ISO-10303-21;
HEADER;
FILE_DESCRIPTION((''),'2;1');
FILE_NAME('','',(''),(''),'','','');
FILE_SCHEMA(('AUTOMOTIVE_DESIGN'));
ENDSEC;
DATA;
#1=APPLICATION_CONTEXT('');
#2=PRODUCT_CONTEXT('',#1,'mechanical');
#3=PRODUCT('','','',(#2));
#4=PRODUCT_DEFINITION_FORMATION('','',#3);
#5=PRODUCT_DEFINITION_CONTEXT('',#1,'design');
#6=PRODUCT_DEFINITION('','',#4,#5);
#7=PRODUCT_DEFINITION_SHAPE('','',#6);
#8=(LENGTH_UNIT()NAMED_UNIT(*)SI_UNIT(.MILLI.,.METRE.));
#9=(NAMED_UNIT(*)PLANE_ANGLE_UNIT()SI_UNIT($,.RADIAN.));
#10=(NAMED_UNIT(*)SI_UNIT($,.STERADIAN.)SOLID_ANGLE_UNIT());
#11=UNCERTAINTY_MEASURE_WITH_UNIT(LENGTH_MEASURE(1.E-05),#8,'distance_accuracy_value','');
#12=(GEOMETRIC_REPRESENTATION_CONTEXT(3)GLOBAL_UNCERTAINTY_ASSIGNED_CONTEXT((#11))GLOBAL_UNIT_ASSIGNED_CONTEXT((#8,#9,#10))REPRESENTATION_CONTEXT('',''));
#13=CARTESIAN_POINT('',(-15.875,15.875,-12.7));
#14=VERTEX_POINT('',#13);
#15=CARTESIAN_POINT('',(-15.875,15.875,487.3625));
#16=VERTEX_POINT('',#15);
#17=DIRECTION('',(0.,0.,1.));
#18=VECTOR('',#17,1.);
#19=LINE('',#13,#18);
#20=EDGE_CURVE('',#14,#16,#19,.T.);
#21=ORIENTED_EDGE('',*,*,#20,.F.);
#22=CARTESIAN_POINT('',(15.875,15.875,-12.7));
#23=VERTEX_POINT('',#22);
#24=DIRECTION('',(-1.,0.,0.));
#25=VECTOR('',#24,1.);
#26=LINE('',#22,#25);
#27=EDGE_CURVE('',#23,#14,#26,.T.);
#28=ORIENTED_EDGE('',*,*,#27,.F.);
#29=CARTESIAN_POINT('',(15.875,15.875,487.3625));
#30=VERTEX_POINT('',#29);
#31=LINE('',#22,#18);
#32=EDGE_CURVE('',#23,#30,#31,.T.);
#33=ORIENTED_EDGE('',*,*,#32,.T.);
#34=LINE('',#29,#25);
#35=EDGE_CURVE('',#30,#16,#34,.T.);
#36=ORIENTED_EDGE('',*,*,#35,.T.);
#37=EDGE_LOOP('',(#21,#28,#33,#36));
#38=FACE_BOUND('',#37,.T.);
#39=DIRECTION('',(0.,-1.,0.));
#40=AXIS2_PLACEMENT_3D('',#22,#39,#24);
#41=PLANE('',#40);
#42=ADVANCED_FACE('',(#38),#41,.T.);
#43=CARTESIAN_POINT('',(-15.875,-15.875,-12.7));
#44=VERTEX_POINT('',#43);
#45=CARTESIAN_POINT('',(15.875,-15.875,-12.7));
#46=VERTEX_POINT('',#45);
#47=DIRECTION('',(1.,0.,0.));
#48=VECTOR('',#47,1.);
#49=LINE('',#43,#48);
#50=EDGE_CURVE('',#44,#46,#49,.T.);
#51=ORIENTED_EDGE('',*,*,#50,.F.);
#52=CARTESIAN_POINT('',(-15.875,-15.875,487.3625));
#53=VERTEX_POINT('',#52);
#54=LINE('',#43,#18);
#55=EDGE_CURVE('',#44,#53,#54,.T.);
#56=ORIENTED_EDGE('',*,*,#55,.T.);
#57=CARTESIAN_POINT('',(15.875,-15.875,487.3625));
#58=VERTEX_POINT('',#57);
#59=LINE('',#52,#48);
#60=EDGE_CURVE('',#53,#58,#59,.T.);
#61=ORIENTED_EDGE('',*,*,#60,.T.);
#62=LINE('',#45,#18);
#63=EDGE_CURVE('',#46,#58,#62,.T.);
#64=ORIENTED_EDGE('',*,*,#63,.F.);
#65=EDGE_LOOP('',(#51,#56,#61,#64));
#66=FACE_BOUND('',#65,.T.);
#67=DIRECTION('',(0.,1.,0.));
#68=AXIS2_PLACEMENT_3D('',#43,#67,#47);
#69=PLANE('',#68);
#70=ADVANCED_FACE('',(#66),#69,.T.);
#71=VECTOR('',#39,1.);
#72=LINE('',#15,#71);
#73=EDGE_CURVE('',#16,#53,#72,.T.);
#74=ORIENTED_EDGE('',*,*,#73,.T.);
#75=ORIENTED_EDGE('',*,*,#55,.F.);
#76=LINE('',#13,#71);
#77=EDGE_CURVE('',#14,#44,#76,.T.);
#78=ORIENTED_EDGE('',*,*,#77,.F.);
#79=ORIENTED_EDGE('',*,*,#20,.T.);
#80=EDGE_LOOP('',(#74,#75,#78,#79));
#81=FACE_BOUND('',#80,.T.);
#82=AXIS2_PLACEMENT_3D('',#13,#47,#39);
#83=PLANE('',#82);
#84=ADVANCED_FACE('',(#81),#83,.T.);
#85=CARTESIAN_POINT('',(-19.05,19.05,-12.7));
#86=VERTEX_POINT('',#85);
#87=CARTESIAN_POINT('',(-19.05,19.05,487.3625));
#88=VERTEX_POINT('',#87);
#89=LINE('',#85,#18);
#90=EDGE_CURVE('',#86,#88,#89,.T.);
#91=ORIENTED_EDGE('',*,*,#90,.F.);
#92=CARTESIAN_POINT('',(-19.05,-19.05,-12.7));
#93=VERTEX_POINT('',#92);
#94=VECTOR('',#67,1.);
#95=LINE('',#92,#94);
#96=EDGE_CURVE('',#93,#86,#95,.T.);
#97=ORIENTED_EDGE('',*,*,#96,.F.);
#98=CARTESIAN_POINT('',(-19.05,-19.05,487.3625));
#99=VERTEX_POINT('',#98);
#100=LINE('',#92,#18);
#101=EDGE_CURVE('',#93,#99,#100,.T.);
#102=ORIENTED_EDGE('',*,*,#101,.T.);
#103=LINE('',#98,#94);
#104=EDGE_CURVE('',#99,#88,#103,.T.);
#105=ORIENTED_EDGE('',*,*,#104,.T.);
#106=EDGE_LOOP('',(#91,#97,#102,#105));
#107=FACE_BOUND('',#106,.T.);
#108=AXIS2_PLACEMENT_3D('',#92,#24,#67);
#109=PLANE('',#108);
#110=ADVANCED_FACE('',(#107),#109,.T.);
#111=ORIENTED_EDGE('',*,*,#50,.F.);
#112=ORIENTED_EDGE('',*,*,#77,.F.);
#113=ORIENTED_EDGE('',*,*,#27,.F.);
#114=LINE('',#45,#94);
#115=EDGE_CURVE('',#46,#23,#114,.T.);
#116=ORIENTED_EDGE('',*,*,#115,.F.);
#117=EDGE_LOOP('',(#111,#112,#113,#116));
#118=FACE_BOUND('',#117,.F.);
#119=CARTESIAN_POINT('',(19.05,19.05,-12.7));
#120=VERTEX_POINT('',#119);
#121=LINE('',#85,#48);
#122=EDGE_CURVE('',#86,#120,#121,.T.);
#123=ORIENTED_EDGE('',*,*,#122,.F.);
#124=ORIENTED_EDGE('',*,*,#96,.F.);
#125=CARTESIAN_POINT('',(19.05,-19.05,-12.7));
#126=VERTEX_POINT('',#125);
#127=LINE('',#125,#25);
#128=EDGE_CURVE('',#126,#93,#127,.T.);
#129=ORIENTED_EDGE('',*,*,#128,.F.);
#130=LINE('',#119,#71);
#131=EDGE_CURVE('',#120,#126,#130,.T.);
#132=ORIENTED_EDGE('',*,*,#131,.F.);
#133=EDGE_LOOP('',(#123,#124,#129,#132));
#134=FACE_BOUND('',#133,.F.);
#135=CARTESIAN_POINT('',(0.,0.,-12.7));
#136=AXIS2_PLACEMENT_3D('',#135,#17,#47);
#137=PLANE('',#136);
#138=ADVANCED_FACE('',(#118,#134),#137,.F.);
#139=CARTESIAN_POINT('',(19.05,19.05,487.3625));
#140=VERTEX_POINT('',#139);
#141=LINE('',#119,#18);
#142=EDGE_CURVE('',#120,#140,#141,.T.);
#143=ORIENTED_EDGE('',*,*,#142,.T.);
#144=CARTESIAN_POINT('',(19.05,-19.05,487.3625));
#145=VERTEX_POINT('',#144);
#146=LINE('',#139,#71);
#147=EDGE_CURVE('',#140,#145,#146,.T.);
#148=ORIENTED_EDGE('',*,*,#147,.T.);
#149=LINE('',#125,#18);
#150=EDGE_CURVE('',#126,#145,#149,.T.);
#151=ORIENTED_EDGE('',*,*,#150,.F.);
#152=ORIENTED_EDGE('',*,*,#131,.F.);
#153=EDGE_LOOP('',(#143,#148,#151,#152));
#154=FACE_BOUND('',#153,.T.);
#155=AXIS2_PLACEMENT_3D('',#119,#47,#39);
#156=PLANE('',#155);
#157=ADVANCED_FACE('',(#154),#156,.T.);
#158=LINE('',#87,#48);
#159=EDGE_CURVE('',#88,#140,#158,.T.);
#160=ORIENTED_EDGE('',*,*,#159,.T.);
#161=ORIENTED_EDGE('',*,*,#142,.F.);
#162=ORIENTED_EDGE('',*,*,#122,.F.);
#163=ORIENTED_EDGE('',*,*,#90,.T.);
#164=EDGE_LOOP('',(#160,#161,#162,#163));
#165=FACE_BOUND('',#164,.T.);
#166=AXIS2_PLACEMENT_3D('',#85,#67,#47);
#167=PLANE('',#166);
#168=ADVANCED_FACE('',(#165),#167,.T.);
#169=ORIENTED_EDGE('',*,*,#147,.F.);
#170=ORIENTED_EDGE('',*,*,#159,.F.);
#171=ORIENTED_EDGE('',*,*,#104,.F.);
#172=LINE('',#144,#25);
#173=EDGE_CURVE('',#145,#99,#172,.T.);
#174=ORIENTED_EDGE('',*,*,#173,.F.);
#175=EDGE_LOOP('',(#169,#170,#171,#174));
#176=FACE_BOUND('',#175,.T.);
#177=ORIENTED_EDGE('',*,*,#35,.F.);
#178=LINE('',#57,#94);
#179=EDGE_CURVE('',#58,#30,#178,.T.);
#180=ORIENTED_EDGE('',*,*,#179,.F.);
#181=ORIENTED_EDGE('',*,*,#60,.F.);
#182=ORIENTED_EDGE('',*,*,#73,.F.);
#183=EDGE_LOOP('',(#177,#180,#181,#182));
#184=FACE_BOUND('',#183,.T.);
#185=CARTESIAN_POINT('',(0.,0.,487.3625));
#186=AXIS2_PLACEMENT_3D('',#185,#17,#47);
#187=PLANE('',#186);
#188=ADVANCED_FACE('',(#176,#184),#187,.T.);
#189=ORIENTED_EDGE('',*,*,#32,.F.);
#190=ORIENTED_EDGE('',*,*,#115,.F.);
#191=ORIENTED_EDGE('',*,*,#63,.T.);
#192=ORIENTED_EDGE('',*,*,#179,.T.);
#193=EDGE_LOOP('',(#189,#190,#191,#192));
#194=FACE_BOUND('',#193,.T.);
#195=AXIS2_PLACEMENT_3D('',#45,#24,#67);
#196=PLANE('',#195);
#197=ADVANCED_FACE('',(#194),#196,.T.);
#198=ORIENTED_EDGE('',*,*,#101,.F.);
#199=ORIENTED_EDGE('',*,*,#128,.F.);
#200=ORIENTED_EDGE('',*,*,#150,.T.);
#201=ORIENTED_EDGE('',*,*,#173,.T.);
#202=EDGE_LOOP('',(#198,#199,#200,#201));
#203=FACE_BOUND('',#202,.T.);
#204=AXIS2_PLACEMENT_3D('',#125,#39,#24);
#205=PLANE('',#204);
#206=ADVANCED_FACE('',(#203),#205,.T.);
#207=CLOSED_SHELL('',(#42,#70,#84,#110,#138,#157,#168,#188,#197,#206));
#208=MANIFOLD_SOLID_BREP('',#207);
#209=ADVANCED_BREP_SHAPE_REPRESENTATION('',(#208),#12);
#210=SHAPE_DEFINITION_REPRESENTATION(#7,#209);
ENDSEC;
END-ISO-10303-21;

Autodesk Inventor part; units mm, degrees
ref_plane "Start Plane" through (0, 0, -12.7) normal (0, 0, 1) x (1, 0, 0)
ref_plane "End Plane" through (0, 0, 487.3625) normal (0, 0, 1) x (1, 0, 0)
sketch "Sketch" plane through (0, 0, 0) normal (0, 0, 1) x (1, 0, 0)
  line L0 (-19.05, 19.05) -> (19.05, 19.05)
  line L1 (19.05, 19.05) -> (19.05, -19.05)
  line L2 (19.05, -19.05) -> (-19.05, -19.05)
  line L3 (-19.05, -19.05) -> (-19.05, 19.05)
  line L4 (15.875, 15.875) -> (-15.875, 15.875)
  line L5 (-15.875, 15.875) -> (-15.875, -15.875)
  line L6 (-15.875, -15.875) -> (15.875, -15.875)
  line L7 (15.875, -15.875) -> (15.875, 15.875)
  point P0 (0, 0)
  point P1 (0, 19.05)
  point P2 (-19.05, 0)
  dimension "width" = 38.1
  dimension "d1" = 3.175
extrude "Body" add sketch "Sketch" along normal up to surface (500.0625 mm away) from surface at -12.7
sketch "Sketch4" plane through (0, 0, 0) normal (0, 0, 1) x (1, 0, 0)
  line L0 (0, 0) -> (10, 0)
ref_plane "Work Plane4" through (0, 0, 0) normal (0, -1, 0) x (1, 0, 0)
sketch "Sketch5" plane through (0, 0, 0) normal (0, -1, 0) x (1, 0, 0)
  line L0 (-2, -12.7) -> (12, -12.7)
  line L1 (-2, 487.3625) -> (12, 487.3625)
  dimension "d9" = 500.0625
ref_plane "Work Plane6" through (762, 19.05, -12.7) normal (0, 0, -1) x (-1, 0, 0)
split "Split2" plane through (762, 19.05, -12.7) removes the side toward (0, 0, -1)
ref_plane "Work Plane7" through (38.1, 19.05, 487.3625) normal (0, 0, 1) x (1, 0, 0)
split "Split3" plane through (38.1, 19.05, 487.3625) removes the side toward (0, 0, 1)
equation "\"G_OFFSET_START\" = 12.7"
equation "\"G_OFFSET_END\" = -20.6375"
equation "\"d4\" = -G_OFFSET_START"
equation "\"d5\" = length + G_OFFSET_END"
equation "\"G_L\" = 812.8"
equation "\"length\" = 508"
properties part number "1.5x1.5x.125 Tube" material "Aluminum-6061"
